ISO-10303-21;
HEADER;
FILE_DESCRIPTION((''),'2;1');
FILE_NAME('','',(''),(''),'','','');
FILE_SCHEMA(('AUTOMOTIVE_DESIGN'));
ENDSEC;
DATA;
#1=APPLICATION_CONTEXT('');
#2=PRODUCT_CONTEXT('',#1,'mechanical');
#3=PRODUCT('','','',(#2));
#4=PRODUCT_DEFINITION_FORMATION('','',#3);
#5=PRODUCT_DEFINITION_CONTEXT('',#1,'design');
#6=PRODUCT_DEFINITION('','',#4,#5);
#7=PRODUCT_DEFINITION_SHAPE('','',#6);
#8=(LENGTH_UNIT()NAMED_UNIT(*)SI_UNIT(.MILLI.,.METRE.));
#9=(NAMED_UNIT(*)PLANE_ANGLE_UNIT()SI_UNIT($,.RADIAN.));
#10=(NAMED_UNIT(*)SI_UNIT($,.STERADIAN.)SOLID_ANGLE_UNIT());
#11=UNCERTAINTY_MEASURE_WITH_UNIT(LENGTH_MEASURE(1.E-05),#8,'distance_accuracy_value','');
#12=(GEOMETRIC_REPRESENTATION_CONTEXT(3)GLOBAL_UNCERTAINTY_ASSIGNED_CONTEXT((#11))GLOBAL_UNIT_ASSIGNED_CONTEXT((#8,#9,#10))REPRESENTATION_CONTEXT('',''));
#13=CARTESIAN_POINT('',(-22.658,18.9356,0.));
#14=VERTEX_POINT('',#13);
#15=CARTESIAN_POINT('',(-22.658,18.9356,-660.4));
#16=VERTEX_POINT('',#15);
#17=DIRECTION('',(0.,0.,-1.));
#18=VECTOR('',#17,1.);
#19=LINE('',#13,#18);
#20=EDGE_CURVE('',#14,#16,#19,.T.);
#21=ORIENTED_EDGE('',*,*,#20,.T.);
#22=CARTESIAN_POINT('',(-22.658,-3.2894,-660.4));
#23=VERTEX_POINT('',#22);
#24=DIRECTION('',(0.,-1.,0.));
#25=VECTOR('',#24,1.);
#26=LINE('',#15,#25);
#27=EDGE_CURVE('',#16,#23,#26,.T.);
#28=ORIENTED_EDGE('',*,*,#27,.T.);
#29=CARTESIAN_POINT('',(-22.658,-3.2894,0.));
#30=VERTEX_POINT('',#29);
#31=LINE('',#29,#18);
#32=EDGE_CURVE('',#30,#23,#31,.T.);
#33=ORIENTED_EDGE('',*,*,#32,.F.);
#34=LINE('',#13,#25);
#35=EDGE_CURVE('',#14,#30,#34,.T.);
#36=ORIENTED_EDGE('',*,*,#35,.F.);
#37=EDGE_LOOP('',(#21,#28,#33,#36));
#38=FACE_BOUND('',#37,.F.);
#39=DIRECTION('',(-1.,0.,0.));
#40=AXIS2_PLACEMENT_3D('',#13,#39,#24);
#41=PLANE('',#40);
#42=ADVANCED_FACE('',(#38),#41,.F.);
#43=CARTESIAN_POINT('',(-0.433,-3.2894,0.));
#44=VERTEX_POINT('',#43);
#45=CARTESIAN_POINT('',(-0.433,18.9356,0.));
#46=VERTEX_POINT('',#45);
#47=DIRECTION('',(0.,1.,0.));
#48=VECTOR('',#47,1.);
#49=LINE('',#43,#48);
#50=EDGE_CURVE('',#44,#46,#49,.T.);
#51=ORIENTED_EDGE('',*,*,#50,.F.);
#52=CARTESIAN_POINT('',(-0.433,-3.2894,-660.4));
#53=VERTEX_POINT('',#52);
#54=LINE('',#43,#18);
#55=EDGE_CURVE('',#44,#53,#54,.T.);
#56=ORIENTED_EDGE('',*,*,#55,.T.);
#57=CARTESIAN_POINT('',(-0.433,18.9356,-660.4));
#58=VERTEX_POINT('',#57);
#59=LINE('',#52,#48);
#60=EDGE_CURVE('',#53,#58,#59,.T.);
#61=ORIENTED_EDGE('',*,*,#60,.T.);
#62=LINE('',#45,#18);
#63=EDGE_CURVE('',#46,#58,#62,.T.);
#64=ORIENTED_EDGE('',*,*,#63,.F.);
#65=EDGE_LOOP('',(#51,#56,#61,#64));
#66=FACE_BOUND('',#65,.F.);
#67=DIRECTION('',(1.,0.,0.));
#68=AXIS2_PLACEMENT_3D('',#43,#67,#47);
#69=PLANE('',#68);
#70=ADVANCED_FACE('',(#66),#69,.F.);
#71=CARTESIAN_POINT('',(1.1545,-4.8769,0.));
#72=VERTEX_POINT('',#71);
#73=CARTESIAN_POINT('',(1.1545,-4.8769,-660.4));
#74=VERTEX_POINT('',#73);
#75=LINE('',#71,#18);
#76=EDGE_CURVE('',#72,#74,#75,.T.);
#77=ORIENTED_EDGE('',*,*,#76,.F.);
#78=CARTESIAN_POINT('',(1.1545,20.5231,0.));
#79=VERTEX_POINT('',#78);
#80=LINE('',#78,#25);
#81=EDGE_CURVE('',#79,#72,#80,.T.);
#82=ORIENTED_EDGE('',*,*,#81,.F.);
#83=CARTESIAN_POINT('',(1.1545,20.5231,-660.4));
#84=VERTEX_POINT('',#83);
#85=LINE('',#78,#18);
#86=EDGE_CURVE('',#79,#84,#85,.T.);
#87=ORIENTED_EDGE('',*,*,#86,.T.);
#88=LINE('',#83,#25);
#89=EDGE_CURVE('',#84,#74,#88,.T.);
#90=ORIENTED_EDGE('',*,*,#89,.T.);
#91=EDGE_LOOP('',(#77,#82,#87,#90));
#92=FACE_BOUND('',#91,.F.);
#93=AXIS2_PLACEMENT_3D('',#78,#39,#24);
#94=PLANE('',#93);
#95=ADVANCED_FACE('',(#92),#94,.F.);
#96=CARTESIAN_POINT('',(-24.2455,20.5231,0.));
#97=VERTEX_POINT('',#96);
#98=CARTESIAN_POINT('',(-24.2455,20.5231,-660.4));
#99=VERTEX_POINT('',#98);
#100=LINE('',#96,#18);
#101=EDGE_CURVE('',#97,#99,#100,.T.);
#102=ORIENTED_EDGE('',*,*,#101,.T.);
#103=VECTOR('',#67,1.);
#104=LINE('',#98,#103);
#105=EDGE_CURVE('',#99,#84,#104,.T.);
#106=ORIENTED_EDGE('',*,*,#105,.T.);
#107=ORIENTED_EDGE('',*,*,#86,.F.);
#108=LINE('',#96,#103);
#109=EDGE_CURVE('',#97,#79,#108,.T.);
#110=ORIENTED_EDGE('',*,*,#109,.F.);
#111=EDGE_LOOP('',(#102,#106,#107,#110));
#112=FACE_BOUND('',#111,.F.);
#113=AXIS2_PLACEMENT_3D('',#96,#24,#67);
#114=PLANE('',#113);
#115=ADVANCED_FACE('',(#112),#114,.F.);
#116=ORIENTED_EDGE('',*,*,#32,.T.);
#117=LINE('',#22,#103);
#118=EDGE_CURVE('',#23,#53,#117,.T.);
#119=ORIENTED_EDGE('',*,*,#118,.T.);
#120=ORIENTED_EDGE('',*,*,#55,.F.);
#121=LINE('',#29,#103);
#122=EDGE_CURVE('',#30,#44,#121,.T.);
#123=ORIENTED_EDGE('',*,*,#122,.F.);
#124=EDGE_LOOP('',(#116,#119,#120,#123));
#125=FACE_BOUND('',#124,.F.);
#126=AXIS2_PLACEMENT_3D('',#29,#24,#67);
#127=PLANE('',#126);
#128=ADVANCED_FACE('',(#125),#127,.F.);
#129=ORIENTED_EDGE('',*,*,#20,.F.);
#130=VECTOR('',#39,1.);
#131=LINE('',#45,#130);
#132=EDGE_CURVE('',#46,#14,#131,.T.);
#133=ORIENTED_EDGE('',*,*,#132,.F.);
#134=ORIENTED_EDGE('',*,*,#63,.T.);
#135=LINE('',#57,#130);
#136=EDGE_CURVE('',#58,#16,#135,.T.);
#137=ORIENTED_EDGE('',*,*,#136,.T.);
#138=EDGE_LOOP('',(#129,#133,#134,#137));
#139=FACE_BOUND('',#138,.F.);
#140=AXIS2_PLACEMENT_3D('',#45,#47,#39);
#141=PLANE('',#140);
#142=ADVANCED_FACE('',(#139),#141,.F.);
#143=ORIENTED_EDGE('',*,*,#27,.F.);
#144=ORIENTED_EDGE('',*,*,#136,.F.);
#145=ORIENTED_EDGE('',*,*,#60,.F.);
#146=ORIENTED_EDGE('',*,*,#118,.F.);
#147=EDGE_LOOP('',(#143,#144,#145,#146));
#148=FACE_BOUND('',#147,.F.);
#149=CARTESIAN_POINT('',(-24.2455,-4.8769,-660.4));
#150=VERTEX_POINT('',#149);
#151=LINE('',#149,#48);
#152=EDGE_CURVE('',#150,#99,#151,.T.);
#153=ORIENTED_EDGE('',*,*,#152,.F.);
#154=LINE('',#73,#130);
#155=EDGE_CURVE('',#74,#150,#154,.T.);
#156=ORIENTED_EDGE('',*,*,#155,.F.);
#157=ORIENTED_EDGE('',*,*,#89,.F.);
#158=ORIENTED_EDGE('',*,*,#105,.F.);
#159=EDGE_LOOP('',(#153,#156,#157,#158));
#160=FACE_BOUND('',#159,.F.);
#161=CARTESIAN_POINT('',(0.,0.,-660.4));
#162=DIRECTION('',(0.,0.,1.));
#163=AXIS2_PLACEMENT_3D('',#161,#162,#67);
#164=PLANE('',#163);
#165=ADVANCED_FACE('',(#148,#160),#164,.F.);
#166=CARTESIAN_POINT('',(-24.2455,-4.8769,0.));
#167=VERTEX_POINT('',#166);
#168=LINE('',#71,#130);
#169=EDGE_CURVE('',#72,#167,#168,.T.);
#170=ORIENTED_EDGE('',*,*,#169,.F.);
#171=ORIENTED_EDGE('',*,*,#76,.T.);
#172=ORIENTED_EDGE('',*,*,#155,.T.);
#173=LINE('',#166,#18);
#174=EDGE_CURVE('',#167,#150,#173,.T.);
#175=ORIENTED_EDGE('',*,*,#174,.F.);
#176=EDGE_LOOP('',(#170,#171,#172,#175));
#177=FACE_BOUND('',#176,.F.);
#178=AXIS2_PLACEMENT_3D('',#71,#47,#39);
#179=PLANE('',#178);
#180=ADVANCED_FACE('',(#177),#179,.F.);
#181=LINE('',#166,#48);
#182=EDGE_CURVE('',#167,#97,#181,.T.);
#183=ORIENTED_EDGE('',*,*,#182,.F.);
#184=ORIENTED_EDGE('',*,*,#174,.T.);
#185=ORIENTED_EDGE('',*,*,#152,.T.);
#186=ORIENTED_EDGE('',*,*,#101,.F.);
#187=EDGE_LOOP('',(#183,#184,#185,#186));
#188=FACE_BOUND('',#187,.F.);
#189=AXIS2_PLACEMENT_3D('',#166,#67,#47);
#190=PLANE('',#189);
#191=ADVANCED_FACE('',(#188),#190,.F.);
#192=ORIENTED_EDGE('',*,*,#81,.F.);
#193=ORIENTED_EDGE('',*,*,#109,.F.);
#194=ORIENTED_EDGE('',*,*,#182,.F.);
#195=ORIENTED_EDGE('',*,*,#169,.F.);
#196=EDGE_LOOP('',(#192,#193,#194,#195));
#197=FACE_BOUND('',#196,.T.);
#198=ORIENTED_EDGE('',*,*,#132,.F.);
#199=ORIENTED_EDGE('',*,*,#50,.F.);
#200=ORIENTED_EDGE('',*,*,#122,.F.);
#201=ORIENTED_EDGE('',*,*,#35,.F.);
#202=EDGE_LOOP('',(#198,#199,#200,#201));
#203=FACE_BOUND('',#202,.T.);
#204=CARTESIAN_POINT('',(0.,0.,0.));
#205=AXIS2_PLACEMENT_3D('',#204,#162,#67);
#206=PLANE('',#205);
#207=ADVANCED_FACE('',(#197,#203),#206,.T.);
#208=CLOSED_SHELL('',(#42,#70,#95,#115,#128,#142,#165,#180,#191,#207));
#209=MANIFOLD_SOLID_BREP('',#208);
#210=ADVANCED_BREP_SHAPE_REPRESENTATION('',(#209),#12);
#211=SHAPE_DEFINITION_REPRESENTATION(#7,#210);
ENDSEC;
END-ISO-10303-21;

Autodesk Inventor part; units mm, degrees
ref_plane "YZ Plane" through (0, 0, 0) normal (1, 0, 0) x (0, 1, 0)
ref_plane "XZ Plane" through (0, 0, 0) normal (0, 1, 0) x (-1, 0, 0)
ref_plane "XY Plane" through (0, 0, 0) normal (0, 0, 1) x (1, 0, 0)
sketch "Sketch1" plane through (0, 0, 0) normal (0, 0, 1) x (1, 0, 0)
  line L0 (-24.2455, 20.5231) -> (1.1545, 20.5231)
  line L1 (1.1545, 20.5231) -> (1.1545, -4.8769)
  line L2 (1.1545, -4.8769) -> (-24.2455, -4.8769)
  line L3 (-24.2455, -4.8769) -> (-24.2455, 20.5231)
  line L4 (-0.433, 18.9356) -> (-22.658, 18.9356)
  line L5 (-22.658, 18.9356) -> (-22.658, -3.2894)
  line L6 (-22.658, -3.2894) -> (-0.433, -3.2894)
  line L7 (-0.433, -3.2894) -> (-0.433, 18.9356)
  point P0 (0, 0)
  dimension "d0" = 25.4
  dimension "d1" = 25.4
  dimension "d2" = 1.5875
extrude "Extrusion1" add sketch "Sketch1" against normal blind 660.4
properties part number "AB1-16-26-001"
